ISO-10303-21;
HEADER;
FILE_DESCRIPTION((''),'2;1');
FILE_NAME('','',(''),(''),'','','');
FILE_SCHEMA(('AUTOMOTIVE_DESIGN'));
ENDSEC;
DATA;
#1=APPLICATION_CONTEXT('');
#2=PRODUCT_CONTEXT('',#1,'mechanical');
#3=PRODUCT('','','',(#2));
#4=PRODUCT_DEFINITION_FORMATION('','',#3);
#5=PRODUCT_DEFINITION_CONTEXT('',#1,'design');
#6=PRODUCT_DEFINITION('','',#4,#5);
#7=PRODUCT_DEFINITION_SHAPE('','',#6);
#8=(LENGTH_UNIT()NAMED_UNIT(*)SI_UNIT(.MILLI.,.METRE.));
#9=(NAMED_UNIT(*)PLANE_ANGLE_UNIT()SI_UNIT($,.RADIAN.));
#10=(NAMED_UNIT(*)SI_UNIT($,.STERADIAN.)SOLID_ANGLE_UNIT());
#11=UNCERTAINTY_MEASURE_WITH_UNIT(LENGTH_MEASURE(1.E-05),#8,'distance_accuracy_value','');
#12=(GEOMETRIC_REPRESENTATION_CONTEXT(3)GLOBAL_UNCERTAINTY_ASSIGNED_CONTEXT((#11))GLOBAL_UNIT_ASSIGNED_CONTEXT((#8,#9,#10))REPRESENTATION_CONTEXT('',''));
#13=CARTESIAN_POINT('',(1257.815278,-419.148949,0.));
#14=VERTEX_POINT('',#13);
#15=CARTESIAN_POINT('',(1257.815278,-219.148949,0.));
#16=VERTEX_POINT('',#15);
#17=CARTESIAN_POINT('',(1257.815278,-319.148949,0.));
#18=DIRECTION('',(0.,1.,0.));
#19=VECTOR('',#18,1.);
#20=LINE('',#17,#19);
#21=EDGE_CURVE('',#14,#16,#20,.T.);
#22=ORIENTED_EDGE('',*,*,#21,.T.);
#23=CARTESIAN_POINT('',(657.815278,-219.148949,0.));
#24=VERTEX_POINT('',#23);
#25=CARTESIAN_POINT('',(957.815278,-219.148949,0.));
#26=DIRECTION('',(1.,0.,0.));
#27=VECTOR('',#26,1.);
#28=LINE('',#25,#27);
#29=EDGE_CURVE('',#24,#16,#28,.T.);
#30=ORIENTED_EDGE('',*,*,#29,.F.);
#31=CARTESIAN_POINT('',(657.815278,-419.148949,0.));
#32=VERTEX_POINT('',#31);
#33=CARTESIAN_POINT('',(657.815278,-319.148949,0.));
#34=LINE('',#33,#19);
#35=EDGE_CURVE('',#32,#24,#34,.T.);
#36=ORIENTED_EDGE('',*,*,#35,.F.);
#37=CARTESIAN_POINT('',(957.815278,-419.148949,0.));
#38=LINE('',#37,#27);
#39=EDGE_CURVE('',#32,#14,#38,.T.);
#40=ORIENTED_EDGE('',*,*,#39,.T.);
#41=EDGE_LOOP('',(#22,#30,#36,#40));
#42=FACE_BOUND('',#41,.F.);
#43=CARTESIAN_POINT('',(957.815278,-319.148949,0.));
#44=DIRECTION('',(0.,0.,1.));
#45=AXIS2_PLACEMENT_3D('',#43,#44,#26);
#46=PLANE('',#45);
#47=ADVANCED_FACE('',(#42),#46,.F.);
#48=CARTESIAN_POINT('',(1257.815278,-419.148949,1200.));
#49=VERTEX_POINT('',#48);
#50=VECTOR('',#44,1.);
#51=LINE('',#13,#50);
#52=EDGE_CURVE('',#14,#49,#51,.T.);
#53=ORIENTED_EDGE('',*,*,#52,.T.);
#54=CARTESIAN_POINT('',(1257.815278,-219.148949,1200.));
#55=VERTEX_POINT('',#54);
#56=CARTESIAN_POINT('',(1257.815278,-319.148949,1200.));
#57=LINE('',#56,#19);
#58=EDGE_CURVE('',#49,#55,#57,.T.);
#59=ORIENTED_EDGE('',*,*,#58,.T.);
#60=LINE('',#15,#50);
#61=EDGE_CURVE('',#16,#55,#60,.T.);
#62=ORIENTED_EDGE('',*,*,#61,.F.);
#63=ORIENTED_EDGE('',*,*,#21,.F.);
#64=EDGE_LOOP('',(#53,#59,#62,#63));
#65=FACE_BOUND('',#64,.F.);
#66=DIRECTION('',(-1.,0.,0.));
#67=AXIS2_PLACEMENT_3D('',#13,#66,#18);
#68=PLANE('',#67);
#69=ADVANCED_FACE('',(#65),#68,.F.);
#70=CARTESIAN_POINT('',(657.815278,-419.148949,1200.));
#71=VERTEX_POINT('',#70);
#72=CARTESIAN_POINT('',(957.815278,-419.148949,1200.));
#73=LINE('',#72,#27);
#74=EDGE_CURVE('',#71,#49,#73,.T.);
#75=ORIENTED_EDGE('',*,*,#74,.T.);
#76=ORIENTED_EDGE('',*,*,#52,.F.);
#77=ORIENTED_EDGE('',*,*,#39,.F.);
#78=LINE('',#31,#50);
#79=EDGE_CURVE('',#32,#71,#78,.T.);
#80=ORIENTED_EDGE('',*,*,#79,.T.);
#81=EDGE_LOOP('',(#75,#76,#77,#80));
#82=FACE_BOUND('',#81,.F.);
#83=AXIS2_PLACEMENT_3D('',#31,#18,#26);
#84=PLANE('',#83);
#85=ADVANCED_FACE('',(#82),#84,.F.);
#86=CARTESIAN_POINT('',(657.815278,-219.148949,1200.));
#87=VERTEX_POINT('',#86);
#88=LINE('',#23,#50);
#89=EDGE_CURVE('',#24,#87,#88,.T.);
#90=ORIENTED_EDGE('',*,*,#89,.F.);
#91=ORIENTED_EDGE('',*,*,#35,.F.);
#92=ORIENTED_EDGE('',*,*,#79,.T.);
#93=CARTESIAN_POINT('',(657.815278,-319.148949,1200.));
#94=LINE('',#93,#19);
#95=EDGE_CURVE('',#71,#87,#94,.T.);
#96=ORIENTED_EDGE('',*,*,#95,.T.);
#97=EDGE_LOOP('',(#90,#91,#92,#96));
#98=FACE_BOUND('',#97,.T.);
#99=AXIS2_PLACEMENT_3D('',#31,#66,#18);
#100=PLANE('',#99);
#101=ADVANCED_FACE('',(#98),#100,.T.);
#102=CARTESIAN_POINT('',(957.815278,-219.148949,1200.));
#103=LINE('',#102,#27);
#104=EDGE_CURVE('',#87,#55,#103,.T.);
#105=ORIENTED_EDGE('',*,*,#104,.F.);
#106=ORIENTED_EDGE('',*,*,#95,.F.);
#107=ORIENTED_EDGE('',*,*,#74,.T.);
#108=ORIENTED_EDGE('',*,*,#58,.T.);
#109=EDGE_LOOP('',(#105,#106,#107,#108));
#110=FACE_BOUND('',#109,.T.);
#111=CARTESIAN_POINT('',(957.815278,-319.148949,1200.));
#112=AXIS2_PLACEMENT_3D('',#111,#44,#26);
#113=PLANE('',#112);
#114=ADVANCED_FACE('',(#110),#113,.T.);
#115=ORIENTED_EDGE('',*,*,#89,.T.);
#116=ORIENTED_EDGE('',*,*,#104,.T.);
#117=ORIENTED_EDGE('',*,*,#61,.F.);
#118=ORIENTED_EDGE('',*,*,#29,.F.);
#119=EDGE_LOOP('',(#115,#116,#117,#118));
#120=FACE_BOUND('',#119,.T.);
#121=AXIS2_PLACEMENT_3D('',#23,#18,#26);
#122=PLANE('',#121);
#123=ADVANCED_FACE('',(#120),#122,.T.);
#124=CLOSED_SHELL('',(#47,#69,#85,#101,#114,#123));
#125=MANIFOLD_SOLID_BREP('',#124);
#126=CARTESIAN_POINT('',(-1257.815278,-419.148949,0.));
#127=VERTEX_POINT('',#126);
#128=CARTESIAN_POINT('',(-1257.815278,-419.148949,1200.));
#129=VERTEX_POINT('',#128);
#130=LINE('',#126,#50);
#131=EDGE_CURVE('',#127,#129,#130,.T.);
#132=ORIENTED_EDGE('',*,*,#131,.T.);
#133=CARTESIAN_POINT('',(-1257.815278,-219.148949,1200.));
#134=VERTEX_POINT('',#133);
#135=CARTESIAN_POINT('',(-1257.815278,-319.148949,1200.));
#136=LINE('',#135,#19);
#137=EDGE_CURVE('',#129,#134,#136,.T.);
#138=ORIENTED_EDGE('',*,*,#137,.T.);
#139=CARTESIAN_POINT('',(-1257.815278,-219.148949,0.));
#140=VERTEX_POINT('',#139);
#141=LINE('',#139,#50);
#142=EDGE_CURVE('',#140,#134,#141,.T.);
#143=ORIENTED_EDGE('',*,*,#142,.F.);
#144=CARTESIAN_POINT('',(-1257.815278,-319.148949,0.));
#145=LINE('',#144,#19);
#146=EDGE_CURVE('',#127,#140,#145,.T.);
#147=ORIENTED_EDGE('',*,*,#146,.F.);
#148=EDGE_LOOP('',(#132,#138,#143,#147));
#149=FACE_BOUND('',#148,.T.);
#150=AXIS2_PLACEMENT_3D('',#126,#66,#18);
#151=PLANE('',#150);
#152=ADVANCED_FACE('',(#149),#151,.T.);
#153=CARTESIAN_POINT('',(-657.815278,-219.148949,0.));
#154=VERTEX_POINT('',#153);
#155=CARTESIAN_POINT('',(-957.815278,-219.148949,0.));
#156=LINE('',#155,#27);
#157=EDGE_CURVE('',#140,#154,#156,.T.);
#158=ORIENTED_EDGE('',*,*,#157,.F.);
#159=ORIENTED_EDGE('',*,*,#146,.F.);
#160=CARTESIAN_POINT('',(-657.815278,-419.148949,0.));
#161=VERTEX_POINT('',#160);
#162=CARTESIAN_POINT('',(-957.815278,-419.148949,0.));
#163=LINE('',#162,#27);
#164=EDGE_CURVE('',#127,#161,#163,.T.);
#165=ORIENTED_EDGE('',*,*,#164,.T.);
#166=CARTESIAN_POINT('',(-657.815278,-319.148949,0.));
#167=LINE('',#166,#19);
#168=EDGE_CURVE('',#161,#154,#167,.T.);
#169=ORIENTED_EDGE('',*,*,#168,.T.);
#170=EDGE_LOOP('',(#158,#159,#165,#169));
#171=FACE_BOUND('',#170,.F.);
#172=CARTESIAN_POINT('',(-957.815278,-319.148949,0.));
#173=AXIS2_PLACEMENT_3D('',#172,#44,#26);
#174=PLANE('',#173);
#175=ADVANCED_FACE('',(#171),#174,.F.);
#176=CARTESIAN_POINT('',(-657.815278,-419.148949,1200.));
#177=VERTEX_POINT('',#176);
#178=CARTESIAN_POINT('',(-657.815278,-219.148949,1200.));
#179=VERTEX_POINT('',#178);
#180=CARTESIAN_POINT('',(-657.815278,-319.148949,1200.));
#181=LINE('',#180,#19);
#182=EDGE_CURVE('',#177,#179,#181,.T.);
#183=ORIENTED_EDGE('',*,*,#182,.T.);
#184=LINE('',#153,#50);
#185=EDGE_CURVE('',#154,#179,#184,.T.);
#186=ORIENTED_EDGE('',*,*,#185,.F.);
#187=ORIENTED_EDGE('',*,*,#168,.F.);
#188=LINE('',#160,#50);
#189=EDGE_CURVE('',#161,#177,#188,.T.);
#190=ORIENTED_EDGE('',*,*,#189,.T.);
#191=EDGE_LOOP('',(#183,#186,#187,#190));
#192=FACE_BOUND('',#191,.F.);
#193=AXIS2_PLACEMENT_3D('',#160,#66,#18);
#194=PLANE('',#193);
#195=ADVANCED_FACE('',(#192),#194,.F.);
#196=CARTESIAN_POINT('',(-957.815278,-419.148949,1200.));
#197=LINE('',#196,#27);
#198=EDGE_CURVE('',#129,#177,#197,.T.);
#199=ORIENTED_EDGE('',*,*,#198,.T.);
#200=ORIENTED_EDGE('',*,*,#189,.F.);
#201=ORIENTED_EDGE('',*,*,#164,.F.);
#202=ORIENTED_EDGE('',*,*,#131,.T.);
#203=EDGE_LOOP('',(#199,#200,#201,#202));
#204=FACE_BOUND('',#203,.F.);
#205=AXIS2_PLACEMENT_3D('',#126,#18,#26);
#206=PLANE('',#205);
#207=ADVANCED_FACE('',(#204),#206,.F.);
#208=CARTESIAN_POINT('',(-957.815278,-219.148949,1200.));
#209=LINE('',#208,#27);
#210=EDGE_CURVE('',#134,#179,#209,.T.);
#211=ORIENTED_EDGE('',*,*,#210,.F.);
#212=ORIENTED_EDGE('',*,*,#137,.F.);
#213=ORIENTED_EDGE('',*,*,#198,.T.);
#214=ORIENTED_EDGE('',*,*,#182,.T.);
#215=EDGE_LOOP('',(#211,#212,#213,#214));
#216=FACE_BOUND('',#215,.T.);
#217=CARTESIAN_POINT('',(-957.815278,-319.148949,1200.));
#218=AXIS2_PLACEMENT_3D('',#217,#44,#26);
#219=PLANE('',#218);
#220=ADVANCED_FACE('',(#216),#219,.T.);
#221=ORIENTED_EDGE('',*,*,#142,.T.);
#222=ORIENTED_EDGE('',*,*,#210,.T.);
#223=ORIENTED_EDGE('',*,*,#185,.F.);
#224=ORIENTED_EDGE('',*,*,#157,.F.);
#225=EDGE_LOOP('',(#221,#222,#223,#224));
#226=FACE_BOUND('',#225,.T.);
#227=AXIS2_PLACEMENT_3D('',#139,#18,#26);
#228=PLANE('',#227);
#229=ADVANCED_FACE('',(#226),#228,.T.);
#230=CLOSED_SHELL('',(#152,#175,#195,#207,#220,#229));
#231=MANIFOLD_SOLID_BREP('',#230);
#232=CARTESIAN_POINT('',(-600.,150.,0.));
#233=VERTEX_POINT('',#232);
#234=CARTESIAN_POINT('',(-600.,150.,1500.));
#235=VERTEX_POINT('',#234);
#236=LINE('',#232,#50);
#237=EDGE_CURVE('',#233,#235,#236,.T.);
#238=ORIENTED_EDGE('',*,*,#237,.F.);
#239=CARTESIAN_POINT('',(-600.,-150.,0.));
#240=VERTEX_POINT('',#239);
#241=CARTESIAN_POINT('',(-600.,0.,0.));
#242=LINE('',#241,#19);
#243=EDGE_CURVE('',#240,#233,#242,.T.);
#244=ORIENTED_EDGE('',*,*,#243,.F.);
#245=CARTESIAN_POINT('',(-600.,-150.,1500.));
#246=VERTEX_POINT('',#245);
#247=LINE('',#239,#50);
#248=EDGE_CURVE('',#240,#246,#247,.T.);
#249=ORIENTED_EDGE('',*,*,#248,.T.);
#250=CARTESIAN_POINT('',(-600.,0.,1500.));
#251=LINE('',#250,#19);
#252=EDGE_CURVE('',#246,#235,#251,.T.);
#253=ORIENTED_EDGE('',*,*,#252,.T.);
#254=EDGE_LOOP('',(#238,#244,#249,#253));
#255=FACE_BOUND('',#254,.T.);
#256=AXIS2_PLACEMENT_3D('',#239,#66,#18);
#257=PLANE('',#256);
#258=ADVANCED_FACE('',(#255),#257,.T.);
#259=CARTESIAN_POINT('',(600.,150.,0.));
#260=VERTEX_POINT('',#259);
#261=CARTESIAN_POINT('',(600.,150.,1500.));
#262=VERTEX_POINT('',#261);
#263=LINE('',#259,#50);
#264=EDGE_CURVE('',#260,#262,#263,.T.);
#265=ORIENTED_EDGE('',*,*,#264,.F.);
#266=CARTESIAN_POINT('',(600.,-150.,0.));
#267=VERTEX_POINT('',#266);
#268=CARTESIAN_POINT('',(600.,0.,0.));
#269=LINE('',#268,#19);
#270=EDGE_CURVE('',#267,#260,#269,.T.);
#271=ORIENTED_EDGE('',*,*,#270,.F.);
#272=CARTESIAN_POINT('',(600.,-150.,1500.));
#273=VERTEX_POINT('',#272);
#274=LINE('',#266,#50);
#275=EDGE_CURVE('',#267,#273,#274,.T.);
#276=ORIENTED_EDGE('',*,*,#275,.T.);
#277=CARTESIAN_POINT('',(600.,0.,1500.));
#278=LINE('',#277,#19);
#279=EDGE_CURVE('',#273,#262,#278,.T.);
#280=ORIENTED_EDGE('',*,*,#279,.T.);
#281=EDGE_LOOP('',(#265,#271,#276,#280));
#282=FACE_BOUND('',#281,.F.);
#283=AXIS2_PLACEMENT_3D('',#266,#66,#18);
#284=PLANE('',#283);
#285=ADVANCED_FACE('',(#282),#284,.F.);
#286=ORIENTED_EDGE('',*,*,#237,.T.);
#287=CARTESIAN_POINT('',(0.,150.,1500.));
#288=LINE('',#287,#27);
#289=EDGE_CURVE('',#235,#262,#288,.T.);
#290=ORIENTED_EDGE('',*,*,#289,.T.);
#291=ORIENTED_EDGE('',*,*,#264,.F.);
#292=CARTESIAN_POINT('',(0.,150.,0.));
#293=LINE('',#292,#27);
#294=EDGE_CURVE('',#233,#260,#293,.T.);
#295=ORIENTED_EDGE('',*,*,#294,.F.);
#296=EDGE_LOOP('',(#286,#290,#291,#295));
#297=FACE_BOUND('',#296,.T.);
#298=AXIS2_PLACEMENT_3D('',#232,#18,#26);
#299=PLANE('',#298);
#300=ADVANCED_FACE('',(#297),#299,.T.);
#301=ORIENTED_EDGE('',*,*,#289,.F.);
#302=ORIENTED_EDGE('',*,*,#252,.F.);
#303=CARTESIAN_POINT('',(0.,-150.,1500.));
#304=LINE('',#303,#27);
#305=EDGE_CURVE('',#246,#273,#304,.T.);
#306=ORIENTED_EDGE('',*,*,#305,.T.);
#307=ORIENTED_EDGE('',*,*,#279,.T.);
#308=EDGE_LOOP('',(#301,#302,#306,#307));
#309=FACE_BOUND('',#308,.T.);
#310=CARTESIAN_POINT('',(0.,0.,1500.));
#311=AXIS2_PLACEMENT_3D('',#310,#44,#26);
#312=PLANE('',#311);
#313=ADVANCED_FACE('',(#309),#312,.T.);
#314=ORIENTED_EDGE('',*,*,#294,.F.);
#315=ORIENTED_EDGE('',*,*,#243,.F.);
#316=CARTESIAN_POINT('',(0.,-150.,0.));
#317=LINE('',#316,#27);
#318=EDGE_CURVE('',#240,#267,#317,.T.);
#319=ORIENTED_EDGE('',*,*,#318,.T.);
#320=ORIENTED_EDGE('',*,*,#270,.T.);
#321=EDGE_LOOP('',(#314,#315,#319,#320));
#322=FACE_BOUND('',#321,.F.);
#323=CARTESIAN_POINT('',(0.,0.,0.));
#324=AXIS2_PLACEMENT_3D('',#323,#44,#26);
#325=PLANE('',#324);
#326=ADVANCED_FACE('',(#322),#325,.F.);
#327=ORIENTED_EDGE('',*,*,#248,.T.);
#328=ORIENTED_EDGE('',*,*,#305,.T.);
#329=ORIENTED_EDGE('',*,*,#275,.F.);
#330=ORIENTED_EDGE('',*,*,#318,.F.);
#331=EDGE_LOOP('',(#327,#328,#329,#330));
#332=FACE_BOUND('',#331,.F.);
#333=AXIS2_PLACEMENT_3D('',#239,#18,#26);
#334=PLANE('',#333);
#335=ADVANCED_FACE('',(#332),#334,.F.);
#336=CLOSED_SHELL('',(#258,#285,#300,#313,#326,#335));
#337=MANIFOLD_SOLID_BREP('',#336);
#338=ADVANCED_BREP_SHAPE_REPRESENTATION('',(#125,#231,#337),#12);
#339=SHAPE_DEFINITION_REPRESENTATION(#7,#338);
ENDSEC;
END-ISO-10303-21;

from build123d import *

# Parameters (mm, degrees)
F0_W     = 1200
F0_H     = 300
F1_DEPTH = 1500
F2_W     = 600
F2_H     = 200
F3_DEPTH = 1200


with BuildPart() as f1:
    # F0 (on Top) → F1 (new body)
    with BuildSketch(Plane.XY):
        Rectangle(F0_W, F0_H)
    extrude(amount=F1_DEPTH)


with BuildPart() as f3:
    # F2 (on Top) → F3 (new body)
    with BuildSketch(Plane.XY):
        with Locations((-957.815278, -319.148949)):
            Rectangle(F2_W, F2_H)
        with Locations((957.815278, -319.148949)):
            Rectangle(F2_W, F2_H)
    extrude(amount=F3_DEPTH)


solid = Compound([f1.part, f3.part])
